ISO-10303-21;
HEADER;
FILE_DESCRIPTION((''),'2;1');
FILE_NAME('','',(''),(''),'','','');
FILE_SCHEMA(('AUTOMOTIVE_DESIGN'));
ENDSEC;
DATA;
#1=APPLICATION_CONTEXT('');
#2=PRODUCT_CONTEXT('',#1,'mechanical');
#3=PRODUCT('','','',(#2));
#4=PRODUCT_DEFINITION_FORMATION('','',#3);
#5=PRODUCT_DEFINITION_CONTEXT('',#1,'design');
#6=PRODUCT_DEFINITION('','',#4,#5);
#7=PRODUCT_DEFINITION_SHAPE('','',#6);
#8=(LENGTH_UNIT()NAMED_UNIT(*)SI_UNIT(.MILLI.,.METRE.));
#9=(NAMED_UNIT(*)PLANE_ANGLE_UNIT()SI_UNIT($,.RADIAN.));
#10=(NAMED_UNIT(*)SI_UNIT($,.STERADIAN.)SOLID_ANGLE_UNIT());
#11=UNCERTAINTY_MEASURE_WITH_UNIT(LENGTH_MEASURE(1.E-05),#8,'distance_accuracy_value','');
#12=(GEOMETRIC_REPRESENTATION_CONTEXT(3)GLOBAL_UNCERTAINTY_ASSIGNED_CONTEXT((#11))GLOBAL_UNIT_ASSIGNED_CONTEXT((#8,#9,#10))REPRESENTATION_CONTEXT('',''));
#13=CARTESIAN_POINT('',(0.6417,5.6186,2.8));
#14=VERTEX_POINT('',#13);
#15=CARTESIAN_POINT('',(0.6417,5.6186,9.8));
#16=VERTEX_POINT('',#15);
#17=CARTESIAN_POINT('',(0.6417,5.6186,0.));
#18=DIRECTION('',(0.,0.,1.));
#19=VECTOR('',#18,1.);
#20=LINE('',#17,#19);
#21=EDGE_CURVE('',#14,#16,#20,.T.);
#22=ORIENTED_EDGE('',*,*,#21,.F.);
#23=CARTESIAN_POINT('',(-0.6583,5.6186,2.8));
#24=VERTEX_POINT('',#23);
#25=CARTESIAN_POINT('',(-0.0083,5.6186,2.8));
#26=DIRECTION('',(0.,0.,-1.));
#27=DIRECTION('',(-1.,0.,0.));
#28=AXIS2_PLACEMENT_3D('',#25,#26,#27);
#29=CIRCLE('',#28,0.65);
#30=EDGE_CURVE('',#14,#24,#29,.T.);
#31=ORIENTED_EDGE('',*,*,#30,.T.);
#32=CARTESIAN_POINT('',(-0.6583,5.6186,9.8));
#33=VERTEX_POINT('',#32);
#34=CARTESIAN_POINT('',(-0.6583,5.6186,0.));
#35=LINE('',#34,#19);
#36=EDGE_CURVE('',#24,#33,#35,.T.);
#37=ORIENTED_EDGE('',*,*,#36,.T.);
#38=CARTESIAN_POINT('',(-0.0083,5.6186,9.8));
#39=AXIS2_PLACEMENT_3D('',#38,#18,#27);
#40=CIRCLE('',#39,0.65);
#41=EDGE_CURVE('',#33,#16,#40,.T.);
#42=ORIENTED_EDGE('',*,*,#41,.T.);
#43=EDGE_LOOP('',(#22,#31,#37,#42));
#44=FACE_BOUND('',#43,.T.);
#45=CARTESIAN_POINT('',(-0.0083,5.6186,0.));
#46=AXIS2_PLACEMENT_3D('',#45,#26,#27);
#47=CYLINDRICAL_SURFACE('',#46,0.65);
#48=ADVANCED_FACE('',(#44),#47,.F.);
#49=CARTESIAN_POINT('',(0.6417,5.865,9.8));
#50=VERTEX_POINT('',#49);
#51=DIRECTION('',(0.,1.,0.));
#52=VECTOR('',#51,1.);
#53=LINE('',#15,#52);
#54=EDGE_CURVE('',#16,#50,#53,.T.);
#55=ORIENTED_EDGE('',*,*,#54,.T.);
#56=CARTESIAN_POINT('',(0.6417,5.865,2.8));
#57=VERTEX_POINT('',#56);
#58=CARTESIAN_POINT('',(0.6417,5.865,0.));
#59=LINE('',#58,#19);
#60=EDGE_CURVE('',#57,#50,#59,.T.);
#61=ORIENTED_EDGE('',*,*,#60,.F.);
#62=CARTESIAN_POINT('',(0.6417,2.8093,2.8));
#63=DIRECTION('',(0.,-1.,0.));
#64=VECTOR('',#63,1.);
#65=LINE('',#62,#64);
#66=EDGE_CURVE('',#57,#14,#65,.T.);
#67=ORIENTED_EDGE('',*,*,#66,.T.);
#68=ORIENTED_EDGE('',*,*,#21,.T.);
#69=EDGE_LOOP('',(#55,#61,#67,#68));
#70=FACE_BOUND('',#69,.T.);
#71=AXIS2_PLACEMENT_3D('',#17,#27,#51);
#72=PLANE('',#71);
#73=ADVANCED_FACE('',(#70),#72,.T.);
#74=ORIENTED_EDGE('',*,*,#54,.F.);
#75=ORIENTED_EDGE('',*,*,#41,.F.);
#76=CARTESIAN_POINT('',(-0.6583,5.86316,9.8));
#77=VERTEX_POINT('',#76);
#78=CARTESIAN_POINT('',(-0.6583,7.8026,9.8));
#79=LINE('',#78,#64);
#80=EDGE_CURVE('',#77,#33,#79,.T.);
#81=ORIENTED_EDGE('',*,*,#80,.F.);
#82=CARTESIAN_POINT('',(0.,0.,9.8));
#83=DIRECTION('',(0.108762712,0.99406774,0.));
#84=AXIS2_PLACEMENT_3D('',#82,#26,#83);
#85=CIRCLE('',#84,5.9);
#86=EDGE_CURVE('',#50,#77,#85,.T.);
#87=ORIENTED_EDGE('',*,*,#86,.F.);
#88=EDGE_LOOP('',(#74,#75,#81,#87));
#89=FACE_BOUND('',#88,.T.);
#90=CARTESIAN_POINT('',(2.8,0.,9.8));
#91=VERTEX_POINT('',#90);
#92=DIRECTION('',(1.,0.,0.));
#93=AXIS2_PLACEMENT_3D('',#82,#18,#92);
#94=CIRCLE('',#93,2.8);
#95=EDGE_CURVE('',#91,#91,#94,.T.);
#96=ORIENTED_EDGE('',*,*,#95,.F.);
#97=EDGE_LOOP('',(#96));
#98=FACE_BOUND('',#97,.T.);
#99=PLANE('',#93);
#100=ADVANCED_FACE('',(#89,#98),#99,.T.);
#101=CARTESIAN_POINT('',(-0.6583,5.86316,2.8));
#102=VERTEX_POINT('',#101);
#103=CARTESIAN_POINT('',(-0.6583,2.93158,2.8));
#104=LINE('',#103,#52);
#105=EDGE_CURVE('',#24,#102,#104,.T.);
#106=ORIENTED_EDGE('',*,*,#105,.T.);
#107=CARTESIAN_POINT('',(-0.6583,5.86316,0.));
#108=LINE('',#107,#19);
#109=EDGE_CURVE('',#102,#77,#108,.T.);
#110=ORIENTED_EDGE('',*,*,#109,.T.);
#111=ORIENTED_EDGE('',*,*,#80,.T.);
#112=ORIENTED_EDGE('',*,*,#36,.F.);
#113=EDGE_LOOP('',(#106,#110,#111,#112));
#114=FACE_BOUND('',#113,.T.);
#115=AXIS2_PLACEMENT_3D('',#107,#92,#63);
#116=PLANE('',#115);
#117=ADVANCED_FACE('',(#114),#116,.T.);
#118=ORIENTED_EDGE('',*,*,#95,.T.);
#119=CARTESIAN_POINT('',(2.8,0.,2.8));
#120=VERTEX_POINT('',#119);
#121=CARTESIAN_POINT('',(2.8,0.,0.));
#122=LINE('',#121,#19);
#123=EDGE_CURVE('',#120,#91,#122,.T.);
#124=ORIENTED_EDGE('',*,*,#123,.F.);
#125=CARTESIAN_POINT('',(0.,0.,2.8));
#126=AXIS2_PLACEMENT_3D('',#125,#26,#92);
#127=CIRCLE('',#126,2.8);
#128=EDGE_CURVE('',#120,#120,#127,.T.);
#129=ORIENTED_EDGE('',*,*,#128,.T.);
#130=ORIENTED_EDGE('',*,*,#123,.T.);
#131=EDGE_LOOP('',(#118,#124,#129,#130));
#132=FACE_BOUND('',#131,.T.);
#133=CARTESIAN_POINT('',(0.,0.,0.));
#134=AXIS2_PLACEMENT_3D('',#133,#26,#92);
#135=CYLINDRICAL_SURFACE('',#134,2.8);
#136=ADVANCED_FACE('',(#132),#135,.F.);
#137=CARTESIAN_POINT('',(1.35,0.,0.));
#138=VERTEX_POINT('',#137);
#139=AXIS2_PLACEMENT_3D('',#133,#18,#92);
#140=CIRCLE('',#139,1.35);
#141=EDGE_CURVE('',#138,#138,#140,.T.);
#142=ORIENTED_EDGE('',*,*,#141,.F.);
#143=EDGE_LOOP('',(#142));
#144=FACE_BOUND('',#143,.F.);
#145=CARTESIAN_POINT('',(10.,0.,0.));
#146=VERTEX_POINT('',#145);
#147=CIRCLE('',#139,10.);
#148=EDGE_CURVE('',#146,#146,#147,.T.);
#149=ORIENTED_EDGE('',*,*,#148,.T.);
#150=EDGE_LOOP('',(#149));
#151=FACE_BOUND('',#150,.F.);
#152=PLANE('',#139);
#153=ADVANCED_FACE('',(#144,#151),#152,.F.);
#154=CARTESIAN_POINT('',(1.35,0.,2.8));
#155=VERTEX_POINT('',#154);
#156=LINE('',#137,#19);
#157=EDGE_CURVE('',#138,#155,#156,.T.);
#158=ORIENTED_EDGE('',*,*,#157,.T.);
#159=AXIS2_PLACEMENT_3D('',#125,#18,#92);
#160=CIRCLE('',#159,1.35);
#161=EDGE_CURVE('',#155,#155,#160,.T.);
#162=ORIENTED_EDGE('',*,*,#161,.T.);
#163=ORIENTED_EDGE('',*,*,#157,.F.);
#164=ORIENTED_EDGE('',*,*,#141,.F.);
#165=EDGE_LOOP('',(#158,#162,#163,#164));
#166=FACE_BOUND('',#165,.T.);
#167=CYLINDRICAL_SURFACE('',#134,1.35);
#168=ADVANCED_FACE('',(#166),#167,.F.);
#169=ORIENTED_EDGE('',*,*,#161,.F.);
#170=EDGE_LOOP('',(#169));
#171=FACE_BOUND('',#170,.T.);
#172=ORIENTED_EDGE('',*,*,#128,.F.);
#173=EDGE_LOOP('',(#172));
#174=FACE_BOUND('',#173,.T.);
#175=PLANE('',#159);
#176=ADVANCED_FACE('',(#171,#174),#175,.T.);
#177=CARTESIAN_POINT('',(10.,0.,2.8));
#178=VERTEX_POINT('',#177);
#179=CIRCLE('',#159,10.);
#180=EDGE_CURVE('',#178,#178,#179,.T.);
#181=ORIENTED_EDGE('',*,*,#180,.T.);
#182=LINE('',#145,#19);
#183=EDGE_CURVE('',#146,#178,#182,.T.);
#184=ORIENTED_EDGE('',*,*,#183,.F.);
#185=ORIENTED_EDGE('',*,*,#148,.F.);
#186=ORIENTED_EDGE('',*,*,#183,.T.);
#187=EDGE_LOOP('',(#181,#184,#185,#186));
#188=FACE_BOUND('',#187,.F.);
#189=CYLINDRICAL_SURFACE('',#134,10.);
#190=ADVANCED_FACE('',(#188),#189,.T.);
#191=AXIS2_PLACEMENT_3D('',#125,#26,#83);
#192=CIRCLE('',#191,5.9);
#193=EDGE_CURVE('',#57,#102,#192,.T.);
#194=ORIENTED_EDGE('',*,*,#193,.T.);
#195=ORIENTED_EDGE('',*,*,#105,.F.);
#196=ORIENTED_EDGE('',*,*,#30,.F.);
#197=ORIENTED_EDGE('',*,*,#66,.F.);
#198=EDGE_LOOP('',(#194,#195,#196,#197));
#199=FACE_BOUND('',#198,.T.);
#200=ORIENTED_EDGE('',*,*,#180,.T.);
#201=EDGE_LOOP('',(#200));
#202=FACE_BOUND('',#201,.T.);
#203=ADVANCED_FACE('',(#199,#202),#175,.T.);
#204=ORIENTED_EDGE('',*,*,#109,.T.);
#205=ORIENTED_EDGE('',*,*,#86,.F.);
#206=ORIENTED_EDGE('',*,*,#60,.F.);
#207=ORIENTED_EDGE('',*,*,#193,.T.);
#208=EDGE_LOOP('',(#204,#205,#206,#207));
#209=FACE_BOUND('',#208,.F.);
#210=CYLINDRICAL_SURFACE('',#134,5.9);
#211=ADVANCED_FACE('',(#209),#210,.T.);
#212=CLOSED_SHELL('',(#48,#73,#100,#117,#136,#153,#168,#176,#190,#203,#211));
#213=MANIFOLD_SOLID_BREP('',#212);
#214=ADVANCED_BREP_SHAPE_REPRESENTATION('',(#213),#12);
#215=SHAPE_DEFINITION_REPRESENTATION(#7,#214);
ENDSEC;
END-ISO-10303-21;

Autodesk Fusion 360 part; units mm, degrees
sketch "Sketch1" plane through (0, 0, 0) normal (0, 0, 1) x (1, 0, 0)
  circle A0 centre (0, 0) radius 10
  circle A1 centre (0, 0) radius 5.9
  circle A2 centre (0, 0) radius 2.8
  circle A3 centre (0, 0) radius 1.35
  line L0 (-0.6583, 7.8026) -> (-0.6583, 5.6186)
  arc A4 (-0.6583, 5.6186) -> (0.6417, 5.6186) centre (-0.0083, 5.6186) ccw
  line L1 (0.6417, 5.6186) -> (0.6417, 7.8026)
  arc A5 (0.6417, 7.8026) -> (-0.6583, 7.8026) centre (-0.0083, 7.8026) ccw
  line L2 (-0.0083, 7.8026) -> (-0.0083, 5.6186) construction
  dimension "d1" = 20
  dimension "d2" = 11.8
  dimension "d3" = 5.6
  dimension "d4" = 2.7
  dimension "d10" = 1.3
extrude "Extrude1" add sketch "Sketch1" along normal blind 2.8 contours A0 | A1 L0 A4 L1 | A1 L0 A4 L1 | A1 L0 L1 A5 | A2
extrude "Extrude2" add sketch "Sketch1" along normal blind 9.8 contours A1 L0 A4 L1 picked at (-1.284, 4.3991)
